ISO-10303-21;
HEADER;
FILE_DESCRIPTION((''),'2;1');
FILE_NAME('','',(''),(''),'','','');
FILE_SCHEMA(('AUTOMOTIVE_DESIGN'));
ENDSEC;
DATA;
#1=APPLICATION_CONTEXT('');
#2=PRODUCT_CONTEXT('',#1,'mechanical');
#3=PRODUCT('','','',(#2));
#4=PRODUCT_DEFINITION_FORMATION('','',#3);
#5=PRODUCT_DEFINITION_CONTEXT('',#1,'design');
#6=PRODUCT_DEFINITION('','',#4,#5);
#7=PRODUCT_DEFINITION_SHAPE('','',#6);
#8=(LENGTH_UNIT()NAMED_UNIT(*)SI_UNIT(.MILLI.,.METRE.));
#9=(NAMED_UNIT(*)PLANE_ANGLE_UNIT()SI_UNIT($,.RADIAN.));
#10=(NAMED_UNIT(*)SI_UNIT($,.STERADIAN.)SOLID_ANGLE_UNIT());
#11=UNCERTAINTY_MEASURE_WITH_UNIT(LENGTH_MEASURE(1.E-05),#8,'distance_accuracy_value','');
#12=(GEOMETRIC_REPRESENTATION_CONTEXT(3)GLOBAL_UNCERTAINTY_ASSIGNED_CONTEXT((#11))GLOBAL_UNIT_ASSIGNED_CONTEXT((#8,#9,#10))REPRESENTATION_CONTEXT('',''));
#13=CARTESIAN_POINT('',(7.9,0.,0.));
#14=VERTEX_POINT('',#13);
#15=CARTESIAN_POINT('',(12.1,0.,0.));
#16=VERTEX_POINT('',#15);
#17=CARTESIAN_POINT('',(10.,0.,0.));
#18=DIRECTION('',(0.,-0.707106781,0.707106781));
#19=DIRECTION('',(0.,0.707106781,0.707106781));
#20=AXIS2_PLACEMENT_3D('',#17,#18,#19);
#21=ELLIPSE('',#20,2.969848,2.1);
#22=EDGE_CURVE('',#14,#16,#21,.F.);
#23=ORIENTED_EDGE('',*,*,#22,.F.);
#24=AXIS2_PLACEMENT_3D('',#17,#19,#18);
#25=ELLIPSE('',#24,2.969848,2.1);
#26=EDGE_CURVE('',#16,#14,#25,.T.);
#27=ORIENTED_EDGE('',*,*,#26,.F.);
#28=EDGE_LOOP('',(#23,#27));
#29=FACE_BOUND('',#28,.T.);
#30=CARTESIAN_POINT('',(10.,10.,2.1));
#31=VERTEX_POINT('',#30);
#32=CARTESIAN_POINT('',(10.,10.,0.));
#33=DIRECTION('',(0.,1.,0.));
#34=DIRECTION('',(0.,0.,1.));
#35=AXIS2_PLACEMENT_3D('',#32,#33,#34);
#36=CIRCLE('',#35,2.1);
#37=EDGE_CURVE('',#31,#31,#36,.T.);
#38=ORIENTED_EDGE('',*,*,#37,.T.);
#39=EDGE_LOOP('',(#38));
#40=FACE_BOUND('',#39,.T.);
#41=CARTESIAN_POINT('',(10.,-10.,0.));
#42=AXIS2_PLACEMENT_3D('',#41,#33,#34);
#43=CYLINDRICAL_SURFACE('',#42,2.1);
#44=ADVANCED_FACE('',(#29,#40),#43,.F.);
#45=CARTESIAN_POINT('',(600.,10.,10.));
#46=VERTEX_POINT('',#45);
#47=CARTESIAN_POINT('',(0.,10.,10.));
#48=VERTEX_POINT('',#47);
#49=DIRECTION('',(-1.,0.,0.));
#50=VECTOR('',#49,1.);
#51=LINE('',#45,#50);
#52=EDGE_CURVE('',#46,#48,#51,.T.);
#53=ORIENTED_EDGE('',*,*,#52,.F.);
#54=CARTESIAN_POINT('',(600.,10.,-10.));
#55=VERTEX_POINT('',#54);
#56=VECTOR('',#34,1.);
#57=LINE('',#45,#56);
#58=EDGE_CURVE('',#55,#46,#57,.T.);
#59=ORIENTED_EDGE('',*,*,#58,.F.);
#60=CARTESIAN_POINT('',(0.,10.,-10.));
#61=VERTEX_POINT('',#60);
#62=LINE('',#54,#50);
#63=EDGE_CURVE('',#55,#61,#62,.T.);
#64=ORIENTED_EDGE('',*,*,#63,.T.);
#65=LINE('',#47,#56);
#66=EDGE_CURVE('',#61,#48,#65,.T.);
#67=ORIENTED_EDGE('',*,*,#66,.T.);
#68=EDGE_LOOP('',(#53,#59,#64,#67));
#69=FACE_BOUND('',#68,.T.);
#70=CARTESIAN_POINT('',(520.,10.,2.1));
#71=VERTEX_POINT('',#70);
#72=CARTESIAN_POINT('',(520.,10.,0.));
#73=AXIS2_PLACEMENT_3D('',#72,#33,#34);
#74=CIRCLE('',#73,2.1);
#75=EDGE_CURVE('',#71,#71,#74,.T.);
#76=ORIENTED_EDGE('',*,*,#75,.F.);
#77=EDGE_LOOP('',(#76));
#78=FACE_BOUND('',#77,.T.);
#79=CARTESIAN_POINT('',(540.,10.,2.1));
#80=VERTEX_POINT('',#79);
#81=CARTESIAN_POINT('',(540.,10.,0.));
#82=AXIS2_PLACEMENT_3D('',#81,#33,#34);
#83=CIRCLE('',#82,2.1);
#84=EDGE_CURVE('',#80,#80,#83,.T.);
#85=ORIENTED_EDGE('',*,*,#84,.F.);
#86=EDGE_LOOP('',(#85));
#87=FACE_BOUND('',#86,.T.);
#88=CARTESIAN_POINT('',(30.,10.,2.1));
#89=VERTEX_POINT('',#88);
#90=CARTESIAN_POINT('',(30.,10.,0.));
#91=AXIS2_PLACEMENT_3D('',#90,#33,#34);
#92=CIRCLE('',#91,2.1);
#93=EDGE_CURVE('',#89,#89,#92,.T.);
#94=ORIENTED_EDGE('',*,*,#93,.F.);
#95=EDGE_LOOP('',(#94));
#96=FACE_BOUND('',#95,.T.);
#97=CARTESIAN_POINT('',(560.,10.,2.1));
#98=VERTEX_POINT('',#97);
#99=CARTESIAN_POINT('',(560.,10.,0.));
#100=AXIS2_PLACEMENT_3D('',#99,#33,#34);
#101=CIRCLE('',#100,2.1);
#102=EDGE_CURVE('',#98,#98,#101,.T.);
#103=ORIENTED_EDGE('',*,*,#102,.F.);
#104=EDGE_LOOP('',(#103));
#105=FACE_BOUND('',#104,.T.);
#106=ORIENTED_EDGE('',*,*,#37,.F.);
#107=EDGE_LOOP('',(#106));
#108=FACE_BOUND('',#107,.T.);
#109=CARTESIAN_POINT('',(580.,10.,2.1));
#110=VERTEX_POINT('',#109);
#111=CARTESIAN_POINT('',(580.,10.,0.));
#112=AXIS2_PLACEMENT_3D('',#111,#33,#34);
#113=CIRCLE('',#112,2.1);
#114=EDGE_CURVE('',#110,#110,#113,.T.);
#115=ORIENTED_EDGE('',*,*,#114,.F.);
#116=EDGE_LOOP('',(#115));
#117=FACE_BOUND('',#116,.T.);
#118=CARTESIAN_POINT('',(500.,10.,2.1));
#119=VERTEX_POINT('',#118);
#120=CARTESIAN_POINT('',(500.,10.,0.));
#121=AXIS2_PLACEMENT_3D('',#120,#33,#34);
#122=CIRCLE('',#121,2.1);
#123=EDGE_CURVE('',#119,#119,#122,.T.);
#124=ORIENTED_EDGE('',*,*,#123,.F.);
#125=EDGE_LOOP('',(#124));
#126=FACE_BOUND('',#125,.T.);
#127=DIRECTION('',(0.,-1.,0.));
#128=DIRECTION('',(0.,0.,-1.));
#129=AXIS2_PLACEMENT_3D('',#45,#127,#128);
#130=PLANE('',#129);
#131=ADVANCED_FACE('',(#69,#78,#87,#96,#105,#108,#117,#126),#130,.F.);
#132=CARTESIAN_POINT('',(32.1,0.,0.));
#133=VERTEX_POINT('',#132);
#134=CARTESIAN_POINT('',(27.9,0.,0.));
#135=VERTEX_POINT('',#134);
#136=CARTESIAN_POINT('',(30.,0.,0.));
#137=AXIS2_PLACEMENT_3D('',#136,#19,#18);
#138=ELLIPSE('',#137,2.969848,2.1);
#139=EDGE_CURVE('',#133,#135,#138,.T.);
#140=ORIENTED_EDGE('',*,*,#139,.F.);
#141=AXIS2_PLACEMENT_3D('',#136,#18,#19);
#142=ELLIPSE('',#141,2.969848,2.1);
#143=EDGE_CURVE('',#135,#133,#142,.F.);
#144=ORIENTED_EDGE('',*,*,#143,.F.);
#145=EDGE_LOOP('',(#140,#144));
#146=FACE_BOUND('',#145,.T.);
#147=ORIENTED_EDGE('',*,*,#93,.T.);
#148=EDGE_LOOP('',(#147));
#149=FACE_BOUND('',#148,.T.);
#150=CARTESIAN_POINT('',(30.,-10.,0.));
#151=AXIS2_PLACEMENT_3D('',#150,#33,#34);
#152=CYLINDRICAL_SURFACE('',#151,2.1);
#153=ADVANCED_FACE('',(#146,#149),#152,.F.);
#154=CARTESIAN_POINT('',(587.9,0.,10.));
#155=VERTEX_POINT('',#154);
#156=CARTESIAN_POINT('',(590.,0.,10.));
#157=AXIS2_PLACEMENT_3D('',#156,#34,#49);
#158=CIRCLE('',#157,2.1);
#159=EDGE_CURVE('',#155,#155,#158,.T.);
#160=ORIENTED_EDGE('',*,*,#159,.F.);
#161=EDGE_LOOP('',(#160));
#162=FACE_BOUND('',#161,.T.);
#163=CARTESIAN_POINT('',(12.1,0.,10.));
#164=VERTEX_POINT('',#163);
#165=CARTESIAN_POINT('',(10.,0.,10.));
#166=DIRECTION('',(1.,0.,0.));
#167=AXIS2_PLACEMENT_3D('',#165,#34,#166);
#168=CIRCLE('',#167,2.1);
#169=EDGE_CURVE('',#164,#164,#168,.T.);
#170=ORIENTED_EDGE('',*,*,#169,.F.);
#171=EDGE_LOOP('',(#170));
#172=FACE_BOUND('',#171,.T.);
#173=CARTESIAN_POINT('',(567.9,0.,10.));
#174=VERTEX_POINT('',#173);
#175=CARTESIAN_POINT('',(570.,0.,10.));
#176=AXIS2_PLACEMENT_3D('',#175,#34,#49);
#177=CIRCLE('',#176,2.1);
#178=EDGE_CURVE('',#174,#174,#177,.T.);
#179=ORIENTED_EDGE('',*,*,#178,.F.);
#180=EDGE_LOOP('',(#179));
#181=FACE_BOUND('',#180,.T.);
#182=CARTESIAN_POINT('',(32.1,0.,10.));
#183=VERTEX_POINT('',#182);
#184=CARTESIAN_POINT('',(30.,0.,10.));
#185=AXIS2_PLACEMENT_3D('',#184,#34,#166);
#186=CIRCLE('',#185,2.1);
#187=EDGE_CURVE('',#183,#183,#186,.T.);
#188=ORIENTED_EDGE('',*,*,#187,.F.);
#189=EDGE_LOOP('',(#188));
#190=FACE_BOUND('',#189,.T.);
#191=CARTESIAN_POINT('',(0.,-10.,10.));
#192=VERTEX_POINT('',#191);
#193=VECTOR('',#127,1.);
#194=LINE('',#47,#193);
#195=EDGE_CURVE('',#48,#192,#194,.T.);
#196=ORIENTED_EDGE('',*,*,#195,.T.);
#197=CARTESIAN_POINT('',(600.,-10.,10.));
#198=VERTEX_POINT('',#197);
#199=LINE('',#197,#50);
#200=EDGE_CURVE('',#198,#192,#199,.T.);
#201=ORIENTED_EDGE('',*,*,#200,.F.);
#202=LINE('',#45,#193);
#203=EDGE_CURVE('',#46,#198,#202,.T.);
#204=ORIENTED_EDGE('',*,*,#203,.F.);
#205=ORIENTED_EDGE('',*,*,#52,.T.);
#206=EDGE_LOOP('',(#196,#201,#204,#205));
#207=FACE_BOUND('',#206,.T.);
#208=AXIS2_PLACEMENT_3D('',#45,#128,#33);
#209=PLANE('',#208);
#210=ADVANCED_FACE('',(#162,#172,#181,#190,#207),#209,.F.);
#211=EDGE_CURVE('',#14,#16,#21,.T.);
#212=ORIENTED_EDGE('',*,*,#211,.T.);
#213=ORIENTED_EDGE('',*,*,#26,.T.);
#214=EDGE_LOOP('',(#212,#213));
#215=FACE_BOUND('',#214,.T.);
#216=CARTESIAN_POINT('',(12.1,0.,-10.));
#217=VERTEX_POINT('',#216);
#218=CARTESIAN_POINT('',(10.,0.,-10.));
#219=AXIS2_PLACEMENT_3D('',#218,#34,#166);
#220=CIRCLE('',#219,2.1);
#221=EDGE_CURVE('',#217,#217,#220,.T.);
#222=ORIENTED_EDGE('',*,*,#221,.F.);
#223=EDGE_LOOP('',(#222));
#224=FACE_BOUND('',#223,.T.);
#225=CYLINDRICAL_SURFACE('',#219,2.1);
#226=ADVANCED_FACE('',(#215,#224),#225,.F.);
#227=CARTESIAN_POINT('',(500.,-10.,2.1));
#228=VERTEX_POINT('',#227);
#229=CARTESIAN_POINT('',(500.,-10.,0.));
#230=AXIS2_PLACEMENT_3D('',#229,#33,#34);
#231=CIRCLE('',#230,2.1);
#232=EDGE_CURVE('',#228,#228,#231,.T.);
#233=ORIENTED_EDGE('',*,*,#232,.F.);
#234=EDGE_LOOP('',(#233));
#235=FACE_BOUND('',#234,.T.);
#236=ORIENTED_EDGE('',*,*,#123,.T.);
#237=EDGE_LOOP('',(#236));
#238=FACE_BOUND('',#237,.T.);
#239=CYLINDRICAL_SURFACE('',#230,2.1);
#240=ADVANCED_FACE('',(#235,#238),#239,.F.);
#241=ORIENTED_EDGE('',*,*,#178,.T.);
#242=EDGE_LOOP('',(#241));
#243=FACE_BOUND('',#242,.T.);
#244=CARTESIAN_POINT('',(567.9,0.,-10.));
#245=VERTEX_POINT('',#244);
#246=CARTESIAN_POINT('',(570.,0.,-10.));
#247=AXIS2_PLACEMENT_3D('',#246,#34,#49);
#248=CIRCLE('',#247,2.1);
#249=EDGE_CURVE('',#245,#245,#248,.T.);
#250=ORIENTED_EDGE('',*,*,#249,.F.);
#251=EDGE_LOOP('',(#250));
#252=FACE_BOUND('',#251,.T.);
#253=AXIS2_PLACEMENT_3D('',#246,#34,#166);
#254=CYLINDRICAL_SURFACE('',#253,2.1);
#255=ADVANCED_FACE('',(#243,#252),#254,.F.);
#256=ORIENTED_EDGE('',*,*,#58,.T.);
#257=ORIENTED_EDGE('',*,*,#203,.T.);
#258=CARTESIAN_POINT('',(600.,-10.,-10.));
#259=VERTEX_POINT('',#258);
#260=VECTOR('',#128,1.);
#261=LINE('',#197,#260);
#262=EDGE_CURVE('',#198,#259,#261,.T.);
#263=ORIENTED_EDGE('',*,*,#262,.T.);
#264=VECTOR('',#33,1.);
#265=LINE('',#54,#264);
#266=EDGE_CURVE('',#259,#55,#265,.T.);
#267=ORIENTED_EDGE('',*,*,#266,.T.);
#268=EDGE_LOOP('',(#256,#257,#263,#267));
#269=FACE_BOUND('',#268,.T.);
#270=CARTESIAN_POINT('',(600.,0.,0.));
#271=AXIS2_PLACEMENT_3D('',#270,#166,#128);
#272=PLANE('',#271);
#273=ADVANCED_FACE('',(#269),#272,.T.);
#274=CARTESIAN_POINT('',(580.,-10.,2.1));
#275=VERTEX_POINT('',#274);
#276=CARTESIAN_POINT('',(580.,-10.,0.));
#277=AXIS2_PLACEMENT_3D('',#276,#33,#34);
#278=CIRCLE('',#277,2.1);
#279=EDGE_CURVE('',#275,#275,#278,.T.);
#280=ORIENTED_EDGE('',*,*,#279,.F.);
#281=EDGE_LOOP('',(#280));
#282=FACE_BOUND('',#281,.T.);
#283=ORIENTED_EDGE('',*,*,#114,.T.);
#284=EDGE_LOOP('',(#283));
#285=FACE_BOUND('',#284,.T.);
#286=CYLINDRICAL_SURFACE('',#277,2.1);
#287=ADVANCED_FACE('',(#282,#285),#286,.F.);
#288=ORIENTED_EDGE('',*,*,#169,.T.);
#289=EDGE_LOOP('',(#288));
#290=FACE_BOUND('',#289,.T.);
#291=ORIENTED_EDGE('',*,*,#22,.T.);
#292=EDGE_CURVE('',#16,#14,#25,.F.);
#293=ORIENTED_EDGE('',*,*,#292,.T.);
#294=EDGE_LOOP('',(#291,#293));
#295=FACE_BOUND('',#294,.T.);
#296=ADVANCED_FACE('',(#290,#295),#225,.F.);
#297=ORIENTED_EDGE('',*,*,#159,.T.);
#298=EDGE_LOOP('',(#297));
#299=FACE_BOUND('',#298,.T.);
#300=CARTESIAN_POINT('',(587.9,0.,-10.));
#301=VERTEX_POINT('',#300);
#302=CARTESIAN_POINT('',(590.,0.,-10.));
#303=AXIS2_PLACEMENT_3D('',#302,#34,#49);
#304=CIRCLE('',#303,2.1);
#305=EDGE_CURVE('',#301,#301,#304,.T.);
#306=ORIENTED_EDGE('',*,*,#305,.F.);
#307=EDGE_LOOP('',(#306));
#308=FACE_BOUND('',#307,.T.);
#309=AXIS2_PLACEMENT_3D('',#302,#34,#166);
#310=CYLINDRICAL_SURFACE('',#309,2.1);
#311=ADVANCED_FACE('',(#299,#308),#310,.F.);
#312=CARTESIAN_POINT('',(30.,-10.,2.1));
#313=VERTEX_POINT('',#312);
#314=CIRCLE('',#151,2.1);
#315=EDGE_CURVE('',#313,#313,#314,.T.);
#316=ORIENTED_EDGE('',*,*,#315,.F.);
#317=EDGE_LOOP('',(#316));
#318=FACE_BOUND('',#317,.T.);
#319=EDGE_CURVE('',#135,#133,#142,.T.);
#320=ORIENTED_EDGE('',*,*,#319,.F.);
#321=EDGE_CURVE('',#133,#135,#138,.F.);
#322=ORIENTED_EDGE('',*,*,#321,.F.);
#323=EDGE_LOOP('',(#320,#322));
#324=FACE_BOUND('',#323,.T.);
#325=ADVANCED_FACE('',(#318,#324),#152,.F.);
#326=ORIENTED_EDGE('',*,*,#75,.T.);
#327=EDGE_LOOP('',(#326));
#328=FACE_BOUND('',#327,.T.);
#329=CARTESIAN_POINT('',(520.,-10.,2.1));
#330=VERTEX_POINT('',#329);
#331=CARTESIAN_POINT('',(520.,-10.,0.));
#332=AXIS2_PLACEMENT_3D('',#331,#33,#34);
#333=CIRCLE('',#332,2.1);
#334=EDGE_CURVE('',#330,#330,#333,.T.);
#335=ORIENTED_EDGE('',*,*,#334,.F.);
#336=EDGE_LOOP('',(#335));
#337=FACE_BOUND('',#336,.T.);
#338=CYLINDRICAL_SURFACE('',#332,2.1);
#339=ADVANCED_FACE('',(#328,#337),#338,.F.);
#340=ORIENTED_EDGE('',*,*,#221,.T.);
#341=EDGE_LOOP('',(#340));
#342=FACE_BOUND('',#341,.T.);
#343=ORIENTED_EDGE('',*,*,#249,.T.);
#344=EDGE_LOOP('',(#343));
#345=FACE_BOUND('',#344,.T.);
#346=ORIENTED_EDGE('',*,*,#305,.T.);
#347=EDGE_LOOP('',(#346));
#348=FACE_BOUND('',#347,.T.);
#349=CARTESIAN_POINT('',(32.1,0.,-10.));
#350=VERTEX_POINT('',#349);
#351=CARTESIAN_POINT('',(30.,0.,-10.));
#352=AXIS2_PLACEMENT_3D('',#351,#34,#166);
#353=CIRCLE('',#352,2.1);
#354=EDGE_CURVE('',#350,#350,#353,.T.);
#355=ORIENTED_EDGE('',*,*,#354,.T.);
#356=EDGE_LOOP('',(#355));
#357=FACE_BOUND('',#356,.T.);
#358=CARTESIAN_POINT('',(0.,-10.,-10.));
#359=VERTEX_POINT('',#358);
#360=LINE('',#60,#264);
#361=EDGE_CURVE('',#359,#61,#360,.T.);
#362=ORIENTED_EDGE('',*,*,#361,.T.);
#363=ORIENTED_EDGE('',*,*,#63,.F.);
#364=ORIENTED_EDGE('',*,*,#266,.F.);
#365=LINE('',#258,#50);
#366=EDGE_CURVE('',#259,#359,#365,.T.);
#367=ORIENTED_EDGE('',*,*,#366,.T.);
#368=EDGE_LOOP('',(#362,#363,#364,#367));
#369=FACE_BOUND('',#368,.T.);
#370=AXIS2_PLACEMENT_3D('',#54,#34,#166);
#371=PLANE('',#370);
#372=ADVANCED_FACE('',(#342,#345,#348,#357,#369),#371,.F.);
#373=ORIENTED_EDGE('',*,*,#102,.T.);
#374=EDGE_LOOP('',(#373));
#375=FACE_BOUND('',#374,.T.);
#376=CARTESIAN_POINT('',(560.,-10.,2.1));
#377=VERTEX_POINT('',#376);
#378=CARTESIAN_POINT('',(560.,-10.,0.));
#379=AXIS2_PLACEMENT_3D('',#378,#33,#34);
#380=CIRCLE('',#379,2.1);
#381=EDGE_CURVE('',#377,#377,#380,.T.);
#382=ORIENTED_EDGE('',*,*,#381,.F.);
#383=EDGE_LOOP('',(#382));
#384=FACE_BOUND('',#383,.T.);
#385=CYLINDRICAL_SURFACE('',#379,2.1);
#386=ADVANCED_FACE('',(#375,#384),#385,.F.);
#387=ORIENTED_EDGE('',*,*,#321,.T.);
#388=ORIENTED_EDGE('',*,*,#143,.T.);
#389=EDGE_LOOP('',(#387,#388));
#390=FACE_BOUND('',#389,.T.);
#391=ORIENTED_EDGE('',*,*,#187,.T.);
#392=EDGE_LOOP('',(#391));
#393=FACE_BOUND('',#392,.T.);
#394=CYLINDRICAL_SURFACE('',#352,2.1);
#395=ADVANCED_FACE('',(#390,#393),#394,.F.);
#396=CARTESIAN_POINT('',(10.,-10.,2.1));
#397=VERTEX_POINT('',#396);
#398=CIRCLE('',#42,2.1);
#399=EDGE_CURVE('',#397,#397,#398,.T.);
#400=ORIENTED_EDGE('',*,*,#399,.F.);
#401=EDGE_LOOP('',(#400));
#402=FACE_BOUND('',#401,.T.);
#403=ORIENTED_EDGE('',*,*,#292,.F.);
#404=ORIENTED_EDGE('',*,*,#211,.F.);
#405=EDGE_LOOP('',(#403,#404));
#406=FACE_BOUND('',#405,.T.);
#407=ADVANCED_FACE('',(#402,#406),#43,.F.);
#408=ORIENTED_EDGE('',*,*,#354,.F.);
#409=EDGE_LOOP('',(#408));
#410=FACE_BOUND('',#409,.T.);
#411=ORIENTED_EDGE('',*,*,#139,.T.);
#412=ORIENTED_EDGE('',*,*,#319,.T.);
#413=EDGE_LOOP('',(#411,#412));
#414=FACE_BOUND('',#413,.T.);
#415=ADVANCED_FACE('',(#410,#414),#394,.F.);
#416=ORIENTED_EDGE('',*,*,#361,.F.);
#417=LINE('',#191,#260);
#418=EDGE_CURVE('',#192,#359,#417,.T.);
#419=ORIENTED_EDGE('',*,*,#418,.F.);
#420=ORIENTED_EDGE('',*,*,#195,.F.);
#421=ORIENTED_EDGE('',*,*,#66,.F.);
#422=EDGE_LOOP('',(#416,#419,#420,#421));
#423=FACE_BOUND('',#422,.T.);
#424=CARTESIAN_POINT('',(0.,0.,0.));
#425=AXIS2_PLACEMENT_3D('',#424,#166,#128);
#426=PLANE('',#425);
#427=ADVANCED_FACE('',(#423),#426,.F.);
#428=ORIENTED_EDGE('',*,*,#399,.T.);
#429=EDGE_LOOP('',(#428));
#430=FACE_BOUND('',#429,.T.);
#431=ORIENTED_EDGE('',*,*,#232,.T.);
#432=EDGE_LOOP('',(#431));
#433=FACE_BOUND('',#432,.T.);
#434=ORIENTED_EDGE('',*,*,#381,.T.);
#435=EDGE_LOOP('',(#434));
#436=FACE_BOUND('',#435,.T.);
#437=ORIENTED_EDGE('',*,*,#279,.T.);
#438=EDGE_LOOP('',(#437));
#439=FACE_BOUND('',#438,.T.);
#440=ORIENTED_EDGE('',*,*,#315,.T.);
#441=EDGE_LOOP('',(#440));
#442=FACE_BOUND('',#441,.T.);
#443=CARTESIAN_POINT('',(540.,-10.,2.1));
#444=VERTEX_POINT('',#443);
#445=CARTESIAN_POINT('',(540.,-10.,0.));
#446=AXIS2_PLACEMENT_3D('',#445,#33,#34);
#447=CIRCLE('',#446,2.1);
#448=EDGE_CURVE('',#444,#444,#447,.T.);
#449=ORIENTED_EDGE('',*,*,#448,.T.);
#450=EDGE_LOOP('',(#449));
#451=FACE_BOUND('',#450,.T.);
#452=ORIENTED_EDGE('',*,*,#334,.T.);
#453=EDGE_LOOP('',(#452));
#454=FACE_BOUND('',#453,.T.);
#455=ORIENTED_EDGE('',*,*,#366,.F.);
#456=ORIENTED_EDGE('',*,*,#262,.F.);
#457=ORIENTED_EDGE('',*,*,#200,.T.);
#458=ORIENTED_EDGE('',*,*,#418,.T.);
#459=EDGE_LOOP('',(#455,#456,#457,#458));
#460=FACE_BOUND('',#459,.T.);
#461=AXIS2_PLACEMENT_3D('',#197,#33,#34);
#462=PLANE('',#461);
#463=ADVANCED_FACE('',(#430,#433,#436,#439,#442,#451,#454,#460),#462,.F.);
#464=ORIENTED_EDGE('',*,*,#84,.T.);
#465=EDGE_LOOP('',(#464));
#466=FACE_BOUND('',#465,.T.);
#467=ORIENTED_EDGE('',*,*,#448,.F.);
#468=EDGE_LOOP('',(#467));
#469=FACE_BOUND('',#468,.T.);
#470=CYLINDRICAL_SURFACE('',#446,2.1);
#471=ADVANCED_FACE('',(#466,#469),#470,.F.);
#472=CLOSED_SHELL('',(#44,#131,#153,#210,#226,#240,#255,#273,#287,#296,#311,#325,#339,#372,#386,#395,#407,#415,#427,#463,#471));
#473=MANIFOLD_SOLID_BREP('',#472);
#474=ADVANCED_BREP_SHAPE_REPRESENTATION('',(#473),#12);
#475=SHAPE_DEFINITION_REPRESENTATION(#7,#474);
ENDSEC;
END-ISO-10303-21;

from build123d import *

# Parameters (mm, degrees)
SKETCH_1_W          = 20
SKETCH_1_H          = 20
EXTRUDE_1_DEPTH     = 600
SKETCH_2_R          = 2.1
CUT_EXTRUDE_1_DEPTH = 601.416522091
SKETCH_3_R          = 2.1
CUT_EXTRUDE_2_DEPTH = 601.416522091
SKETCH_4_R          = 2.1
CUT_EXTRUDE_3_DEPTH = 601.416522091


with BuildPart() as part:
    # 草图1 → 凸台-拉伸1 (new body)
    with BuildSketch(Plane(origin=(0, 0, 0), x_dir=(0, 0, -1), z_dir=(1, 0, 0))):
        Rectangle(SKETCH_1_W, SKETCH_1_H)
    extrude(amount=EXTRUDE_1_DEPTH)

    # 草图2 → 切除-拉伸1 (cut, through all)
    with BuildSketch(Plane.XY.offset(10)):
        with Locations((10, 0)):
            Circle(SKETCH_2_R)
        with Locations((30, 0)):
            Circle(SKETCH_2_R)
        with Locations(Location((570, 0, 0), (0, 0, 180))):
            Circle(SKETCH_2_R)
        with Locations(Location((590, 0, 0), (0, 0, 180))):
            Circle(SKETCH_2_R)
    extrude(amount=-CUT_EXTRUDE_1_DEPTH, mode=Mode.SUBTRACT)

    # 草图3 → 切除-拉伸2 (cut, through all)
    with BuildSketch(Plane(origin=(0, 10, 0), x_dir=(1, 0, 0), z_dir=(0, 1, 0))):
        with Locations(Location((10, 0, 0), (0, 0, 270))):
            Circle(SKETCH_3_R)
        with Locations(Location((30, 0, 0), (0, 0, 270))):
            Circle(SKETCH_3_R)
    extrude(amount=-CUT_EXTRUDE_2_DEPTH, mode=Mode.SUBTRACT)

    # 草图4 → 切除-拉伸3 (cut, through all)
    with BuildSketch(Plane(origin=(0, 10, 0), x_dir=(1, 0, 0), z_dir=(0, 1, 0))):
        with Locations(Location((580, 0, 0), (0, 0, 270))):
            Circle(SKETCH_4_R)
        with Locations(Location((560, 0, 0), (0, 0, 270))):
            Circle(SKETCH_4_R)
        with Locations(Location((540, 0, 0), (0, 0, 270))):
            Circle(SKETCH_4_R)
        with Locations(Location((520, 0, 0), (0, 0, 270))):
            Circle(SKETCH_4_R)
        with Locations(Location((500, 0, 0), (0, 0, 270))):
            Circle(SKETCH_4_R)
    extrude(amount=-CUT_EXTRUDE_3_DEPTH, mode=Mode.SUBTRACT)


solid = part.part
